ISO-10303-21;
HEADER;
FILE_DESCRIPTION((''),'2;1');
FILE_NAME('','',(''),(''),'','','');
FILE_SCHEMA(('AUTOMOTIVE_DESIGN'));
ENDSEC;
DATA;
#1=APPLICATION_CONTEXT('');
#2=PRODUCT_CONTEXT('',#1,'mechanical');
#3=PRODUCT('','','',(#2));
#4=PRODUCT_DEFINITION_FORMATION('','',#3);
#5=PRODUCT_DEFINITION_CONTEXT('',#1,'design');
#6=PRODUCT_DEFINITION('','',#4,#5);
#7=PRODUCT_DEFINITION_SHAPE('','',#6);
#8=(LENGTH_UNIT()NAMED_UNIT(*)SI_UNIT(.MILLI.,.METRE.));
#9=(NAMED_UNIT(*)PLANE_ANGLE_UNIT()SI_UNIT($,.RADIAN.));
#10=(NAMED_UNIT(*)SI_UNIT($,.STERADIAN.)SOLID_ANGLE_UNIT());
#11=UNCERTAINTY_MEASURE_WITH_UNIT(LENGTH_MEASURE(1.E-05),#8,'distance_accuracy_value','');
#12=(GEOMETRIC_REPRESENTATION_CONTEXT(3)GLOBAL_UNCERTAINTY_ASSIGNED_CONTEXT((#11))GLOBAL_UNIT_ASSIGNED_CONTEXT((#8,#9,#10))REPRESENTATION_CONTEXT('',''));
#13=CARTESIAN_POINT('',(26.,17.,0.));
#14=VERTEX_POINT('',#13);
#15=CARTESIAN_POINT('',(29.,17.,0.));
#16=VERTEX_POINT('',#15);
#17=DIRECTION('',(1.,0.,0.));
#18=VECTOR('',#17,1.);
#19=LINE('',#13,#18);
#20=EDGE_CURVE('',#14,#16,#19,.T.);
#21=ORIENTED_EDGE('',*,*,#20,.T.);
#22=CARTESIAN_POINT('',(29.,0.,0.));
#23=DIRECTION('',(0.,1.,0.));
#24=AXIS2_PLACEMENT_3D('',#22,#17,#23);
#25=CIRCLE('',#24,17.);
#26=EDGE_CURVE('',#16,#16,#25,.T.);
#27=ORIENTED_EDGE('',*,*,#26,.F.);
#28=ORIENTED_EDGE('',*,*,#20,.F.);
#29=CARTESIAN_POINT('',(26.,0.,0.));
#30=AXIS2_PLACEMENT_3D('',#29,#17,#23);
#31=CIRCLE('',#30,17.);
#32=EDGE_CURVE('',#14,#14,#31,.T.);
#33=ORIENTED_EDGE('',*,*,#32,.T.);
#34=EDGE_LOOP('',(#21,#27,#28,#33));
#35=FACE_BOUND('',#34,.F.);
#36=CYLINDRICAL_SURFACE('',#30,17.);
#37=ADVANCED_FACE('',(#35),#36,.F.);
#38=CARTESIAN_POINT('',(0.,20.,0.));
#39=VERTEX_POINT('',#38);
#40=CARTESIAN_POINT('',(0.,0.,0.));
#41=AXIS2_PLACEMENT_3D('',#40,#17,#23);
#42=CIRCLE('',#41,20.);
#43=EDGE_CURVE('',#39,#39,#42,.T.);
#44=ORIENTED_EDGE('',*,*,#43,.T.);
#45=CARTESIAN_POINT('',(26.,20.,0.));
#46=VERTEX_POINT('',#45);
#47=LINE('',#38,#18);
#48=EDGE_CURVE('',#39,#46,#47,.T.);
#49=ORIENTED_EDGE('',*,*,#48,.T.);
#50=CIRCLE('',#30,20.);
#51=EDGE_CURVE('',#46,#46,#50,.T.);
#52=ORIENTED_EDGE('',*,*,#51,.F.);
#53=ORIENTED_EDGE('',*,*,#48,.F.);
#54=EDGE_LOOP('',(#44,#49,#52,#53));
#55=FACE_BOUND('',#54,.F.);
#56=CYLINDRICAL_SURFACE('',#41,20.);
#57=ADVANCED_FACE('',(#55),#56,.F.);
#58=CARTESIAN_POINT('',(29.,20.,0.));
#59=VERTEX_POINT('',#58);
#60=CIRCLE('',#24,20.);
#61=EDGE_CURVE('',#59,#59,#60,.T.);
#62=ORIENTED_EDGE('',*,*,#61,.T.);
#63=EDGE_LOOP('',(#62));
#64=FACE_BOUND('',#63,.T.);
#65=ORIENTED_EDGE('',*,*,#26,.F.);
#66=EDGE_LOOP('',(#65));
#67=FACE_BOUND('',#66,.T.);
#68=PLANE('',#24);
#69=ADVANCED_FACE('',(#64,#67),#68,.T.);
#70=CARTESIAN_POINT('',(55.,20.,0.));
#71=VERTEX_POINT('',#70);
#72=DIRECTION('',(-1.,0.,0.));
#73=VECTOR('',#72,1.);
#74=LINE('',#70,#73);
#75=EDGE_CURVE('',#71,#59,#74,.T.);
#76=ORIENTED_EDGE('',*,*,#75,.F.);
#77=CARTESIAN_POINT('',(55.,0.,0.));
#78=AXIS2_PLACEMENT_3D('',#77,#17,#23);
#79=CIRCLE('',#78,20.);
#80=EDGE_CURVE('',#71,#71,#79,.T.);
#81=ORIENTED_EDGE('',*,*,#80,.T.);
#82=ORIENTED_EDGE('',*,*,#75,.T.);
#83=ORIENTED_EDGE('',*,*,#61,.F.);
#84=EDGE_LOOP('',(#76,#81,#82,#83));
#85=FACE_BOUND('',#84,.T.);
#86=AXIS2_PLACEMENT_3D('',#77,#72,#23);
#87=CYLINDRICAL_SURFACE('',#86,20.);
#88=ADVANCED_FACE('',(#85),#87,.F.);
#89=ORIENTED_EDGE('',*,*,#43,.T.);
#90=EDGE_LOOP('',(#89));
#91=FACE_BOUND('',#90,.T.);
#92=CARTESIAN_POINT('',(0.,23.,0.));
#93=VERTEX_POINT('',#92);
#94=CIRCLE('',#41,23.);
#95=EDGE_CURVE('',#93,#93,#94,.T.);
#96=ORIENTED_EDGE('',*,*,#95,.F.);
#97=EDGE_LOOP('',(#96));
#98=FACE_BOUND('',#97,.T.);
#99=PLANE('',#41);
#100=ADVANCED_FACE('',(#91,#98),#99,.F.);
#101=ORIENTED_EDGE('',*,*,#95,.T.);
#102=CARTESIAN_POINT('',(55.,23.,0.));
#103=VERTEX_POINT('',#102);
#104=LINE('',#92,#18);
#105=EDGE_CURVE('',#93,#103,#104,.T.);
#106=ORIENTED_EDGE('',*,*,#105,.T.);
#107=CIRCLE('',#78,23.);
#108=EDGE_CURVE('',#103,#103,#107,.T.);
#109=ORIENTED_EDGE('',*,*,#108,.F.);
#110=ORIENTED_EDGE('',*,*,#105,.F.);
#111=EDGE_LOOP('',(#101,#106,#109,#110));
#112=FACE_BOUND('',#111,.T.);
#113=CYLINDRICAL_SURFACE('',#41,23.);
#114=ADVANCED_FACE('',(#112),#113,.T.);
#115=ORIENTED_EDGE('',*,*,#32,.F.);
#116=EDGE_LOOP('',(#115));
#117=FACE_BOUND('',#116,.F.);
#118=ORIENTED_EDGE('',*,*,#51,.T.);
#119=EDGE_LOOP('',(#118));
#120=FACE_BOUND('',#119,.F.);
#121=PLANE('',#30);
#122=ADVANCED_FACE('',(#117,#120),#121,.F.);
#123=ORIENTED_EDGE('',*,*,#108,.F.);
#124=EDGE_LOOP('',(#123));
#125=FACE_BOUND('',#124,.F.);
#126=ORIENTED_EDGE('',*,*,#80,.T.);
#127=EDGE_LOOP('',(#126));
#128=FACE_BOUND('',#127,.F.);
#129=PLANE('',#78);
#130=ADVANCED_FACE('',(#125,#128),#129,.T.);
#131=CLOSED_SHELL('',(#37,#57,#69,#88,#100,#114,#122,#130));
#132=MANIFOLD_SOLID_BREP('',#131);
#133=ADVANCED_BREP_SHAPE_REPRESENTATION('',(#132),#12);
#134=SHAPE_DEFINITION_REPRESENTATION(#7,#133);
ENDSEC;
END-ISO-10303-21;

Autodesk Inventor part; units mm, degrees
ref_plane "YZ Plane" through (0, 0, 0) normal (1, 0, 0) x (0, 1, 0)
ref_plane "XZ Plane" through (0, 0, 0) normal (0, 1, 0) x (-1, 0, 0)
ref_plane "XY Plane" through (0, 0, 0) normal (0, 0, 1) x (1, 0, 0)
sketch "Sketch1" plane through (0, 0, 0) normal (0, 0, 1) x (1, 0, 0)
  line L0 (0, 0) -> (55, 0)
  line L1 (0, 0) -> (0, 20) construction
  line L2 (0, 20) -> (0, 23)
  line L3 (0, 23) -> (55, 23)
  line L4 (0, 20) -> (26, 20)
  line L5 (26, 20) -> (26, 17)
  line L6 (26, 17) -> (29, 17)
  line L7 (27.5, 0) -> (27.5, 23) construction
  line L8 (55, 0) -> (55, 20) construction
  line L9 (55, 20) -> (55, 23)
  line L10 (55, 20) -> (29, 20)
  line L11 (29, 20) -> (29, 17)
  line L12 (26, 17) -> (26, 0) construction
  line L13 (29, 17) -> (29, 0) construction
  dimension "d0" = 40
  dimension "d2" = 3
  dimension "d3" = 3
  dimension "d4" = 26
  dimension "d5" = 3
revolve "Revolution1" add sketch "Sketch1" angle 360 about axis through (0, 0, 0) along (1, 0, 0)
equation "\"d0\" = d1"
equation "\"d2\" = s1"
equation "\"d3\" = z1"
equation "\"d4\" = t1"
equation "\"d5\" = s1"
equation "\"d1\" = 40"
equation "\"t1\" = 26"
equation "\"z1\" = 3"
equation "\"s1\" = 3"
properties part number "DIN 8063 Муфта, тип M 40" material "ПВХ, непластифицированный"
